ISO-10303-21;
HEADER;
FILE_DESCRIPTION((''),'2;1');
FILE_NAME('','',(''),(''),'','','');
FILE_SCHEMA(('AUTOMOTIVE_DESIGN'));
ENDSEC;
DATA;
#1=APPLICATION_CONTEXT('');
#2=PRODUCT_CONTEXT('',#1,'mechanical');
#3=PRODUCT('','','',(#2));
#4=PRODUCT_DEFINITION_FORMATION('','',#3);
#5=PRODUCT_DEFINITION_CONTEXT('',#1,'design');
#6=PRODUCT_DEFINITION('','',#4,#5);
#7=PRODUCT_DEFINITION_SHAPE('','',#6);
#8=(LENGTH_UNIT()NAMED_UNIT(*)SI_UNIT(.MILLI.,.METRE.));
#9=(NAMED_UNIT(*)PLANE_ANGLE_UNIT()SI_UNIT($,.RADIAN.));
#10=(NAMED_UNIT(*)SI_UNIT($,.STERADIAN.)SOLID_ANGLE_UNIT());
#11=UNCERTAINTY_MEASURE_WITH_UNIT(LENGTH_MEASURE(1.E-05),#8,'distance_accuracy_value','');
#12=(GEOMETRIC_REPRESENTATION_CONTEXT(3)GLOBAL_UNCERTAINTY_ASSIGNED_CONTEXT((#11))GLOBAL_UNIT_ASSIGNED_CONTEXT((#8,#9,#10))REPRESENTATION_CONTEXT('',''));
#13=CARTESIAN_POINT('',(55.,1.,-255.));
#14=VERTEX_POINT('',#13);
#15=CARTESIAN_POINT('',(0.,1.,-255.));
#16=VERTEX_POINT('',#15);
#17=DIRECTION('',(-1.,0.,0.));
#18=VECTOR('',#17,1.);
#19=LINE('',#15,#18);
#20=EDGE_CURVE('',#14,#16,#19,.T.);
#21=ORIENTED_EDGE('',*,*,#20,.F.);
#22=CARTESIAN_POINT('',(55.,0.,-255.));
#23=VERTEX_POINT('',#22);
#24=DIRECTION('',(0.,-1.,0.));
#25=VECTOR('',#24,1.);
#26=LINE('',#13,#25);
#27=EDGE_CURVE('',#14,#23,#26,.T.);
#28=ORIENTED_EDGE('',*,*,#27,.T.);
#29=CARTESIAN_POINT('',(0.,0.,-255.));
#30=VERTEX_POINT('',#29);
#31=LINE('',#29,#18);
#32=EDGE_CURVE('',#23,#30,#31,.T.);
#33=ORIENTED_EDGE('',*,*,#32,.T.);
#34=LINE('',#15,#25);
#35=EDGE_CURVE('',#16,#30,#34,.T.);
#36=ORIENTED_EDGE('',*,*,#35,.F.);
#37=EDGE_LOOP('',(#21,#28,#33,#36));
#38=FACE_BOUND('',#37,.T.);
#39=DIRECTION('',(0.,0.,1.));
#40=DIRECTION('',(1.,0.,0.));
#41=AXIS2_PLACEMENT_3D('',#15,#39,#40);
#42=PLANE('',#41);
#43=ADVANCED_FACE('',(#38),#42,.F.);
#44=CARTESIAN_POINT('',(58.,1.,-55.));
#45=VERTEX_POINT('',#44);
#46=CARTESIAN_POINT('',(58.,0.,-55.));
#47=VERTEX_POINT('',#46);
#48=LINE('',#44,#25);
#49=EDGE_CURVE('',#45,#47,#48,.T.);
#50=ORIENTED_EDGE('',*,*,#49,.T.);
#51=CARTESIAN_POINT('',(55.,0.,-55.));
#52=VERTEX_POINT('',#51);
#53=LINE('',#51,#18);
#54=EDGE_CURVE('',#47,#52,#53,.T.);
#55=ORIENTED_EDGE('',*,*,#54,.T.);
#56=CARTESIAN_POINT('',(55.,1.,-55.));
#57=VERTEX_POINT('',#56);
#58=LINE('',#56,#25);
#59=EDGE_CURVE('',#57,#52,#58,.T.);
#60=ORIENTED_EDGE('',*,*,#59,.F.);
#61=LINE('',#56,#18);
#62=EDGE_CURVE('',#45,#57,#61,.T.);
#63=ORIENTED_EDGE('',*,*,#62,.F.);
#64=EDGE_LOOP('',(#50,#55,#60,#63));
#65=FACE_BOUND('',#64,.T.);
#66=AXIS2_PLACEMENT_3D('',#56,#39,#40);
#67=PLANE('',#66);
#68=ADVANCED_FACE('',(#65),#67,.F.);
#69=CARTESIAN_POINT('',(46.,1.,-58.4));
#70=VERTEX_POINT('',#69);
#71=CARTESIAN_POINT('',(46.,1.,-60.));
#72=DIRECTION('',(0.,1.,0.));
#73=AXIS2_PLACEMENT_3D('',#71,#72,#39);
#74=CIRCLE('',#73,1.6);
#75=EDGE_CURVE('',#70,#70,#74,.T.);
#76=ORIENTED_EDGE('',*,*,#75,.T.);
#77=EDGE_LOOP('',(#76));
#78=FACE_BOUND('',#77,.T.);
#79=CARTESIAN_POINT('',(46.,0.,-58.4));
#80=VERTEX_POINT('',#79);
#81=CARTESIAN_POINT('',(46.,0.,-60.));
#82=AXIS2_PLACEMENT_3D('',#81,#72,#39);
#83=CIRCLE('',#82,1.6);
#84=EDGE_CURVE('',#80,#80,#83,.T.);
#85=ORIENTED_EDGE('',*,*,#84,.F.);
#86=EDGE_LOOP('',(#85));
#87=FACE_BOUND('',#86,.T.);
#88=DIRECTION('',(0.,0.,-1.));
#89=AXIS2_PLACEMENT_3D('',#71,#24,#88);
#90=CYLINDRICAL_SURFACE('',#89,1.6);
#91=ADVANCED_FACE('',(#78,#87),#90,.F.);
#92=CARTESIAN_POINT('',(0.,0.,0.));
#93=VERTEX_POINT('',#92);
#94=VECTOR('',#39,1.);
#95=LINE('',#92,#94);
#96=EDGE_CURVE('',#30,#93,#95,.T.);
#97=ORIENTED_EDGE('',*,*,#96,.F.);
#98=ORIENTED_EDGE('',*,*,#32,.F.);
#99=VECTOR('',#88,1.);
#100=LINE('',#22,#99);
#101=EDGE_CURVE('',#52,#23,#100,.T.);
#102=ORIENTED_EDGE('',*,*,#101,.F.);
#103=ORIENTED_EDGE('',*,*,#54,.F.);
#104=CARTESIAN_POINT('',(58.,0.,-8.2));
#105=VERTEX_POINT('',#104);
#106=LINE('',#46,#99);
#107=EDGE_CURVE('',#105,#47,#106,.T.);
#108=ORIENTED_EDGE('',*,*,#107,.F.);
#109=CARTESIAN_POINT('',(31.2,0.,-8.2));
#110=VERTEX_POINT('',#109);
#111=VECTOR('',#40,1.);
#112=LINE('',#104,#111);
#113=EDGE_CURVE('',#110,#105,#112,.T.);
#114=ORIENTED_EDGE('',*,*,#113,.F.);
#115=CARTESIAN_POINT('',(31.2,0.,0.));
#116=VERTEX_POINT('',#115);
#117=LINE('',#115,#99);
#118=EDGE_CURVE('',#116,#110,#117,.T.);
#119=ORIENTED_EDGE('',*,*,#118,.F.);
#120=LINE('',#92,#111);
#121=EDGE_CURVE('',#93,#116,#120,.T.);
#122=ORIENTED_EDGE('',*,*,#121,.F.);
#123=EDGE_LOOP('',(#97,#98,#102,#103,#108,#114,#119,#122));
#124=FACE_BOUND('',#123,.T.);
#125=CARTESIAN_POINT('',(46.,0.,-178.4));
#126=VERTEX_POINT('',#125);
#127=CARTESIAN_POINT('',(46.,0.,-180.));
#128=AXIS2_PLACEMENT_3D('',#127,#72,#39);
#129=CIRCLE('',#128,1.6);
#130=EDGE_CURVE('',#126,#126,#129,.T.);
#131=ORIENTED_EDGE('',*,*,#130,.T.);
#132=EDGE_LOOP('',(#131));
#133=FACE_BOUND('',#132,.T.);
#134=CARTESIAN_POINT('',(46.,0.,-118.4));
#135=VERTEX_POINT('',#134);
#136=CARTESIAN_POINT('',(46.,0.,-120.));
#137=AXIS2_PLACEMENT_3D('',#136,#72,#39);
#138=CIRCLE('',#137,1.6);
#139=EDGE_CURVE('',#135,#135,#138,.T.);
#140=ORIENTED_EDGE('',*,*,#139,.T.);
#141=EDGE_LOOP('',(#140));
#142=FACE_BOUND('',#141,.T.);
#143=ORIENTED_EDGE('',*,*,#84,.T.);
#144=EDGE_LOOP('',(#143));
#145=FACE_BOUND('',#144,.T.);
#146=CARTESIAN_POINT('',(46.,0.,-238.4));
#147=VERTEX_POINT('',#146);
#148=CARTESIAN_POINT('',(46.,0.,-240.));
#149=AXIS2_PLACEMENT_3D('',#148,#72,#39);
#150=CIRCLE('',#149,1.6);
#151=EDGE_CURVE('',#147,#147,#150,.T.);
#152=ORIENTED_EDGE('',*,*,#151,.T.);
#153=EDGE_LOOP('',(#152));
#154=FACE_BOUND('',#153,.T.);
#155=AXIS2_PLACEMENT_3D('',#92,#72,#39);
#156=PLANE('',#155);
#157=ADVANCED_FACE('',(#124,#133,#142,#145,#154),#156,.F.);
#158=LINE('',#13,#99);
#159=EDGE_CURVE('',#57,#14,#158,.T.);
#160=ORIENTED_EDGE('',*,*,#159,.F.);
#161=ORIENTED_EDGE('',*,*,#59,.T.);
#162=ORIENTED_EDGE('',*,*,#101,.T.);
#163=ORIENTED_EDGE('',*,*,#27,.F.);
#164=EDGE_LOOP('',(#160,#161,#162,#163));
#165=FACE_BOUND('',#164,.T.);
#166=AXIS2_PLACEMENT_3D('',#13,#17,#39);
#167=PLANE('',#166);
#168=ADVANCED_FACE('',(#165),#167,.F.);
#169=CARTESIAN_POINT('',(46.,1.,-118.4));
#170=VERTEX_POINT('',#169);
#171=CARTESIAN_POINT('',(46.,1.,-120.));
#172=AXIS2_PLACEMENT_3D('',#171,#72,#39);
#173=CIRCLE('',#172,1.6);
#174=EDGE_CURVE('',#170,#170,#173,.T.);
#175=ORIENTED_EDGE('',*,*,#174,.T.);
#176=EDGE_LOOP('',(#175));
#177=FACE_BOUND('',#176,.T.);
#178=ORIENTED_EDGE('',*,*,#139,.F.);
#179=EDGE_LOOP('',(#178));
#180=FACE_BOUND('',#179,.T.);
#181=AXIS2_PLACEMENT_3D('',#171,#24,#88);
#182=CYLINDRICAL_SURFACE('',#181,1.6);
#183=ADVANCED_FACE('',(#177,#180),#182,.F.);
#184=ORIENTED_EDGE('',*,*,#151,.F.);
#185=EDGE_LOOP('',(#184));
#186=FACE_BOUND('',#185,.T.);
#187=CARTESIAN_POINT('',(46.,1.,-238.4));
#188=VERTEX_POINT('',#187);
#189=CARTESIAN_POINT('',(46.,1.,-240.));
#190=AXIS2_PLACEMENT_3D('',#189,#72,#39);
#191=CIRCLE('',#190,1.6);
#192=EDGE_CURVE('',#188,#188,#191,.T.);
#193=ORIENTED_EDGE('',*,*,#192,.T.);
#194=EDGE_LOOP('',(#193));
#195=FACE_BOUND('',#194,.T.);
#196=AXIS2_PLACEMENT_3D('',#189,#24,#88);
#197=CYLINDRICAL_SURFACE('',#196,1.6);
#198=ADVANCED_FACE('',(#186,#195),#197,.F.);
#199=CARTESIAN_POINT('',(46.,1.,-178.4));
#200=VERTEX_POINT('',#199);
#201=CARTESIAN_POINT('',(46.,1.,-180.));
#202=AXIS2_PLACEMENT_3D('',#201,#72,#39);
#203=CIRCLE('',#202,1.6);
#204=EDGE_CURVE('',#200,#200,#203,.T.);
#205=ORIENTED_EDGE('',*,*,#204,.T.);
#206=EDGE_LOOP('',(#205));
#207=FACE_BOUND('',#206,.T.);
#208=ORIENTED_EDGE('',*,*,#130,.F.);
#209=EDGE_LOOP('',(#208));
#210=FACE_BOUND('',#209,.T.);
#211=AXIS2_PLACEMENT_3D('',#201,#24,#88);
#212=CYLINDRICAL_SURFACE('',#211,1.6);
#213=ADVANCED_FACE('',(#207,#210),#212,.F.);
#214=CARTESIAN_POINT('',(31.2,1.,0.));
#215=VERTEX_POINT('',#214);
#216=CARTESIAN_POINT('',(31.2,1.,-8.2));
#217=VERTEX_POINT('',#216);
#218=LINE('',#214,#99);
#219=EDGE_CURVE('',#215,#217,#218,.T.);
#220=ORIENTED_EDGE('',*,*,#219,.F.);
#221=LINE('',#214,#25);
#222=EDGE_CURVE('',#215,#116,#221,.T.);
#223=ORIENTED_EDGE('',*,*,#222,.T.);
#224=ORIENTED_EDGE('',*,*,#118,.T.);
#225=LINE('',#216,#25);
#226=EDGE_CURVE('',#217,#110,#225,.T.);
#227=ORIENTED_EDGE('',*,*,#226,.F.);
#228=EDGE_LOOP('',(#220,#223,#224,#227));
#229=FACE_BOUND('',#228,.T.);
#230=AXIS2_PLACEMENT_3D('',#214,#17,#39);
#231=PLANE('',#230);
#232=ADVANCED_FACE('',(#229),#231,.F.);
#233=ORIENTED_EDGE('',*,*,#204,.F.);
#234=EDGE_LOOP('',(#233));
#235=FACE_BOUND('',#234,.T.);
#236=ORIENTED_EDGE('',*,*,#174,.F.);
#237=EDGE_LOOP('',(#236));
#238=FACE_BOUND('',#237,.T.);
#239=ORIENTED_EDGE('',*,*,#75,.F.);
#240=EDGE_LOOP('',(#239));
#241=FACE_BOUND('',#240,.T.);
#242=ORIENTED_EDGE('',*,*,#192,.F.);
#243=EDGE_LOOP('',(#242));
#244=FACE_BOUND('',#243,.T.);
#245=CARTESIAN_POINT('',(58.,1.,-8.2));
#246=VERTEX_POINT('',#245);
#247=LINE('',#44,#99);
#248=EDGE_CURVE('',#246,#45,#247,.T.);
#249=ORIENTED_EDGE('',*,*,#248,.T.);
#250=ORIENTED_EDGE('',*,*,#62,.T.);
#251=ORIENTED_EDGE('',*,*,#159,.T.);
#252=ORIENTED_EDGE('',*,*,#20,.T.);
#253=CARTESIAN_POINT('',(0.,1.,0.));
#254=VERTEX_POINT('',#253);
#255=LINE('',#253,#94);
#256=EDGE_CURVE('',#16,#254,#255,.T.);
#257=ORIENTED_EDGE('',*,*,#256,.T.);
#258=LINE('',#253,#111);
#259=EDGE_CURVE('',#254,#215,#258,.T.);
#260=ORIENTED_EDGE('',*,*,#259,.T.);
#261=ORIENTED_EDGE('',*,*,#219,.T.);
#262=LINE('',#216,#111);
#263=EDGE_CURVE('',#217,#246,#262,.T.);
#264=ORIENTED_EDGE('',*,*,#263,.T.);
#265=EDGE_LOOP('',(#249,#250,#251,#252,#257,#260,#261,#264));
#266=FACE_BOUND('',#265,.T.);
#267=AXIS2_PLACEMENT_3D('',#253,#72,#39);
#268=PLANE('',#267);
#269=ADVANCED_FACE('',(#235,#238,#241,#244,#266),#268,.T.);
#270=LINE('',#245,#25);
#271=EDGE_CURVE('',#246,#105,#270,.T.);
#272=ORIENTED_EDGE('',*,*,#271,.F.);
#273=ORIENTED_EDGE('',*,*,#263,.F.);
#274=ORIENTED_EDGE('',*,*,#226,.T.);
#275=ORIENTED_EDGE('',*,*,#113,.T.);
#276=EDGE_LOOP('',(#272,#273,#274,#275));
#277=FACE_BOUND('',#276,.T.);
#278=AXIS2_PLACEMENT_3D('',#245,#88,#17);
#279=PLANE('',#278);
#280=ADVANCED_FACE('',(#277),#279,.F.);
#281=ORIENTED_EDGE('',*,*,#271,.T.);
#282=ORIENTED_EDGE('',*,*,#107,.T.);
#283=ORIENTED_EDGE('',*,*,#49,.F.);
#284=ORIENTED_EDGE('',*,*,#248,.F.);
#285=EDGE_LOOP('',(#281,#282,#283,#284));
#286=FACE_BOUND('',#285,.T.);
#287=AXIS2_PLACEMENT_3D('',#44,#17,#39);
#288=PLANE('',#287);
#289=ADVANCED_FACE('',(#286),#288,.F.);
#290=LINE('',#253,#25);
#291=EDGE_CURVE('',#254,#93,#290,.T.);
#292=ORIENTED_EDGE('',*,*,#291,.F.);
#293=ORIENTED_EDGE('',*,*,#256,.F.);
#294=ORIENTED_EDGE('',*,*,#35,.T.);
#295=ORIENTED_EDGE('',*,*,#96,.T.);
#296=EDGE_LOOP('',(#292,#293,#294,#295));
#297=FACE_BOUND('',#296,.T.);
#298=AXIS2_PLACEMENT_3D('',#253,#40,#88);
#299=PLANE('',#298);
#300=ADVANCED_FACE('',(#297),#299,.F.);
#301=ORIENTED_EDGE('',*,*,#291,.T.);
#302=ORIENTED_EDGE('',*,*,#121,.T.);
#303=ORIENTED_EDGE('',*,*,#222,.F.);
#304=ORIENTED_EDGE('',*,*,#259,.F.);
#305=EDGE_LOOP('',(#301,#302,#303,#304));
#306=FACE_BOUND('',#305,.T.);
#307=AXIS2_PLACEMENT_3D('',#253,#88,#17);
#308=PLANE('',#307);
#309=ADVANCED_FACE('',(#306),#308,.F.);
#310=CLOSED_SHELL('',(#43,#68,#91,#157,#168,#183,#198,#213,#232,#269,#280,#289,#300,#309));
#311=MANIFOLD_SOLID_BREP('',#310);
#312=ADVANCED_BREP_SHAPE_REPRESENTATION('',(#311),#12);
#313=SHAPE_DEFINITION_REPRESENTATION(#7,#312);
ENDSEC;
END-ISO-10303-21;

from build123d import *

# Parameters (mm, degrees)
ESQUISSE1_R        = 1.6
BOSS_EXTRU_1_DEPTH = 1


with BuildPart() as part:
    # Esquisse1 → Boss.-Extru.1 (new body)
    with BuildSketch(Plane(origin=(0, 0, 0), x_dir=(1, 0, 0), z_dir=(0, 1, 0))):
        Polygon((0, 0), (0, 255), (55, 255), (55, 55), (58, 55), (58, 8.2), (55, 8.2), (31.2, 8.2), (31.2, 0), align=None)
        with Locations(Location((46, 60, 0), (0, 0, 270))):
            Circle(ESQUISSE1_R, mode=Mode.SUBTRACT)
        with Locations(Location((46, 120, 0), (0, 0, 270))):
            Circle(ESQUISSE1_R, mode=Mode.SUBTRACT)
        with Locations(Location((46, 180, 0), (0, 0, 270))):
            Circle(ESQUISSE1_R, mode=Mode.SUBTRACT)
        with Locations(Location((46, 240, 0), (0, 0, 270))):
            Circle(ESQUISSE1_R, mode=Mode.SUBTRACT)
    extrude(amount=BOSS_EXTRU_1_DEPTH)


solid = part.part
